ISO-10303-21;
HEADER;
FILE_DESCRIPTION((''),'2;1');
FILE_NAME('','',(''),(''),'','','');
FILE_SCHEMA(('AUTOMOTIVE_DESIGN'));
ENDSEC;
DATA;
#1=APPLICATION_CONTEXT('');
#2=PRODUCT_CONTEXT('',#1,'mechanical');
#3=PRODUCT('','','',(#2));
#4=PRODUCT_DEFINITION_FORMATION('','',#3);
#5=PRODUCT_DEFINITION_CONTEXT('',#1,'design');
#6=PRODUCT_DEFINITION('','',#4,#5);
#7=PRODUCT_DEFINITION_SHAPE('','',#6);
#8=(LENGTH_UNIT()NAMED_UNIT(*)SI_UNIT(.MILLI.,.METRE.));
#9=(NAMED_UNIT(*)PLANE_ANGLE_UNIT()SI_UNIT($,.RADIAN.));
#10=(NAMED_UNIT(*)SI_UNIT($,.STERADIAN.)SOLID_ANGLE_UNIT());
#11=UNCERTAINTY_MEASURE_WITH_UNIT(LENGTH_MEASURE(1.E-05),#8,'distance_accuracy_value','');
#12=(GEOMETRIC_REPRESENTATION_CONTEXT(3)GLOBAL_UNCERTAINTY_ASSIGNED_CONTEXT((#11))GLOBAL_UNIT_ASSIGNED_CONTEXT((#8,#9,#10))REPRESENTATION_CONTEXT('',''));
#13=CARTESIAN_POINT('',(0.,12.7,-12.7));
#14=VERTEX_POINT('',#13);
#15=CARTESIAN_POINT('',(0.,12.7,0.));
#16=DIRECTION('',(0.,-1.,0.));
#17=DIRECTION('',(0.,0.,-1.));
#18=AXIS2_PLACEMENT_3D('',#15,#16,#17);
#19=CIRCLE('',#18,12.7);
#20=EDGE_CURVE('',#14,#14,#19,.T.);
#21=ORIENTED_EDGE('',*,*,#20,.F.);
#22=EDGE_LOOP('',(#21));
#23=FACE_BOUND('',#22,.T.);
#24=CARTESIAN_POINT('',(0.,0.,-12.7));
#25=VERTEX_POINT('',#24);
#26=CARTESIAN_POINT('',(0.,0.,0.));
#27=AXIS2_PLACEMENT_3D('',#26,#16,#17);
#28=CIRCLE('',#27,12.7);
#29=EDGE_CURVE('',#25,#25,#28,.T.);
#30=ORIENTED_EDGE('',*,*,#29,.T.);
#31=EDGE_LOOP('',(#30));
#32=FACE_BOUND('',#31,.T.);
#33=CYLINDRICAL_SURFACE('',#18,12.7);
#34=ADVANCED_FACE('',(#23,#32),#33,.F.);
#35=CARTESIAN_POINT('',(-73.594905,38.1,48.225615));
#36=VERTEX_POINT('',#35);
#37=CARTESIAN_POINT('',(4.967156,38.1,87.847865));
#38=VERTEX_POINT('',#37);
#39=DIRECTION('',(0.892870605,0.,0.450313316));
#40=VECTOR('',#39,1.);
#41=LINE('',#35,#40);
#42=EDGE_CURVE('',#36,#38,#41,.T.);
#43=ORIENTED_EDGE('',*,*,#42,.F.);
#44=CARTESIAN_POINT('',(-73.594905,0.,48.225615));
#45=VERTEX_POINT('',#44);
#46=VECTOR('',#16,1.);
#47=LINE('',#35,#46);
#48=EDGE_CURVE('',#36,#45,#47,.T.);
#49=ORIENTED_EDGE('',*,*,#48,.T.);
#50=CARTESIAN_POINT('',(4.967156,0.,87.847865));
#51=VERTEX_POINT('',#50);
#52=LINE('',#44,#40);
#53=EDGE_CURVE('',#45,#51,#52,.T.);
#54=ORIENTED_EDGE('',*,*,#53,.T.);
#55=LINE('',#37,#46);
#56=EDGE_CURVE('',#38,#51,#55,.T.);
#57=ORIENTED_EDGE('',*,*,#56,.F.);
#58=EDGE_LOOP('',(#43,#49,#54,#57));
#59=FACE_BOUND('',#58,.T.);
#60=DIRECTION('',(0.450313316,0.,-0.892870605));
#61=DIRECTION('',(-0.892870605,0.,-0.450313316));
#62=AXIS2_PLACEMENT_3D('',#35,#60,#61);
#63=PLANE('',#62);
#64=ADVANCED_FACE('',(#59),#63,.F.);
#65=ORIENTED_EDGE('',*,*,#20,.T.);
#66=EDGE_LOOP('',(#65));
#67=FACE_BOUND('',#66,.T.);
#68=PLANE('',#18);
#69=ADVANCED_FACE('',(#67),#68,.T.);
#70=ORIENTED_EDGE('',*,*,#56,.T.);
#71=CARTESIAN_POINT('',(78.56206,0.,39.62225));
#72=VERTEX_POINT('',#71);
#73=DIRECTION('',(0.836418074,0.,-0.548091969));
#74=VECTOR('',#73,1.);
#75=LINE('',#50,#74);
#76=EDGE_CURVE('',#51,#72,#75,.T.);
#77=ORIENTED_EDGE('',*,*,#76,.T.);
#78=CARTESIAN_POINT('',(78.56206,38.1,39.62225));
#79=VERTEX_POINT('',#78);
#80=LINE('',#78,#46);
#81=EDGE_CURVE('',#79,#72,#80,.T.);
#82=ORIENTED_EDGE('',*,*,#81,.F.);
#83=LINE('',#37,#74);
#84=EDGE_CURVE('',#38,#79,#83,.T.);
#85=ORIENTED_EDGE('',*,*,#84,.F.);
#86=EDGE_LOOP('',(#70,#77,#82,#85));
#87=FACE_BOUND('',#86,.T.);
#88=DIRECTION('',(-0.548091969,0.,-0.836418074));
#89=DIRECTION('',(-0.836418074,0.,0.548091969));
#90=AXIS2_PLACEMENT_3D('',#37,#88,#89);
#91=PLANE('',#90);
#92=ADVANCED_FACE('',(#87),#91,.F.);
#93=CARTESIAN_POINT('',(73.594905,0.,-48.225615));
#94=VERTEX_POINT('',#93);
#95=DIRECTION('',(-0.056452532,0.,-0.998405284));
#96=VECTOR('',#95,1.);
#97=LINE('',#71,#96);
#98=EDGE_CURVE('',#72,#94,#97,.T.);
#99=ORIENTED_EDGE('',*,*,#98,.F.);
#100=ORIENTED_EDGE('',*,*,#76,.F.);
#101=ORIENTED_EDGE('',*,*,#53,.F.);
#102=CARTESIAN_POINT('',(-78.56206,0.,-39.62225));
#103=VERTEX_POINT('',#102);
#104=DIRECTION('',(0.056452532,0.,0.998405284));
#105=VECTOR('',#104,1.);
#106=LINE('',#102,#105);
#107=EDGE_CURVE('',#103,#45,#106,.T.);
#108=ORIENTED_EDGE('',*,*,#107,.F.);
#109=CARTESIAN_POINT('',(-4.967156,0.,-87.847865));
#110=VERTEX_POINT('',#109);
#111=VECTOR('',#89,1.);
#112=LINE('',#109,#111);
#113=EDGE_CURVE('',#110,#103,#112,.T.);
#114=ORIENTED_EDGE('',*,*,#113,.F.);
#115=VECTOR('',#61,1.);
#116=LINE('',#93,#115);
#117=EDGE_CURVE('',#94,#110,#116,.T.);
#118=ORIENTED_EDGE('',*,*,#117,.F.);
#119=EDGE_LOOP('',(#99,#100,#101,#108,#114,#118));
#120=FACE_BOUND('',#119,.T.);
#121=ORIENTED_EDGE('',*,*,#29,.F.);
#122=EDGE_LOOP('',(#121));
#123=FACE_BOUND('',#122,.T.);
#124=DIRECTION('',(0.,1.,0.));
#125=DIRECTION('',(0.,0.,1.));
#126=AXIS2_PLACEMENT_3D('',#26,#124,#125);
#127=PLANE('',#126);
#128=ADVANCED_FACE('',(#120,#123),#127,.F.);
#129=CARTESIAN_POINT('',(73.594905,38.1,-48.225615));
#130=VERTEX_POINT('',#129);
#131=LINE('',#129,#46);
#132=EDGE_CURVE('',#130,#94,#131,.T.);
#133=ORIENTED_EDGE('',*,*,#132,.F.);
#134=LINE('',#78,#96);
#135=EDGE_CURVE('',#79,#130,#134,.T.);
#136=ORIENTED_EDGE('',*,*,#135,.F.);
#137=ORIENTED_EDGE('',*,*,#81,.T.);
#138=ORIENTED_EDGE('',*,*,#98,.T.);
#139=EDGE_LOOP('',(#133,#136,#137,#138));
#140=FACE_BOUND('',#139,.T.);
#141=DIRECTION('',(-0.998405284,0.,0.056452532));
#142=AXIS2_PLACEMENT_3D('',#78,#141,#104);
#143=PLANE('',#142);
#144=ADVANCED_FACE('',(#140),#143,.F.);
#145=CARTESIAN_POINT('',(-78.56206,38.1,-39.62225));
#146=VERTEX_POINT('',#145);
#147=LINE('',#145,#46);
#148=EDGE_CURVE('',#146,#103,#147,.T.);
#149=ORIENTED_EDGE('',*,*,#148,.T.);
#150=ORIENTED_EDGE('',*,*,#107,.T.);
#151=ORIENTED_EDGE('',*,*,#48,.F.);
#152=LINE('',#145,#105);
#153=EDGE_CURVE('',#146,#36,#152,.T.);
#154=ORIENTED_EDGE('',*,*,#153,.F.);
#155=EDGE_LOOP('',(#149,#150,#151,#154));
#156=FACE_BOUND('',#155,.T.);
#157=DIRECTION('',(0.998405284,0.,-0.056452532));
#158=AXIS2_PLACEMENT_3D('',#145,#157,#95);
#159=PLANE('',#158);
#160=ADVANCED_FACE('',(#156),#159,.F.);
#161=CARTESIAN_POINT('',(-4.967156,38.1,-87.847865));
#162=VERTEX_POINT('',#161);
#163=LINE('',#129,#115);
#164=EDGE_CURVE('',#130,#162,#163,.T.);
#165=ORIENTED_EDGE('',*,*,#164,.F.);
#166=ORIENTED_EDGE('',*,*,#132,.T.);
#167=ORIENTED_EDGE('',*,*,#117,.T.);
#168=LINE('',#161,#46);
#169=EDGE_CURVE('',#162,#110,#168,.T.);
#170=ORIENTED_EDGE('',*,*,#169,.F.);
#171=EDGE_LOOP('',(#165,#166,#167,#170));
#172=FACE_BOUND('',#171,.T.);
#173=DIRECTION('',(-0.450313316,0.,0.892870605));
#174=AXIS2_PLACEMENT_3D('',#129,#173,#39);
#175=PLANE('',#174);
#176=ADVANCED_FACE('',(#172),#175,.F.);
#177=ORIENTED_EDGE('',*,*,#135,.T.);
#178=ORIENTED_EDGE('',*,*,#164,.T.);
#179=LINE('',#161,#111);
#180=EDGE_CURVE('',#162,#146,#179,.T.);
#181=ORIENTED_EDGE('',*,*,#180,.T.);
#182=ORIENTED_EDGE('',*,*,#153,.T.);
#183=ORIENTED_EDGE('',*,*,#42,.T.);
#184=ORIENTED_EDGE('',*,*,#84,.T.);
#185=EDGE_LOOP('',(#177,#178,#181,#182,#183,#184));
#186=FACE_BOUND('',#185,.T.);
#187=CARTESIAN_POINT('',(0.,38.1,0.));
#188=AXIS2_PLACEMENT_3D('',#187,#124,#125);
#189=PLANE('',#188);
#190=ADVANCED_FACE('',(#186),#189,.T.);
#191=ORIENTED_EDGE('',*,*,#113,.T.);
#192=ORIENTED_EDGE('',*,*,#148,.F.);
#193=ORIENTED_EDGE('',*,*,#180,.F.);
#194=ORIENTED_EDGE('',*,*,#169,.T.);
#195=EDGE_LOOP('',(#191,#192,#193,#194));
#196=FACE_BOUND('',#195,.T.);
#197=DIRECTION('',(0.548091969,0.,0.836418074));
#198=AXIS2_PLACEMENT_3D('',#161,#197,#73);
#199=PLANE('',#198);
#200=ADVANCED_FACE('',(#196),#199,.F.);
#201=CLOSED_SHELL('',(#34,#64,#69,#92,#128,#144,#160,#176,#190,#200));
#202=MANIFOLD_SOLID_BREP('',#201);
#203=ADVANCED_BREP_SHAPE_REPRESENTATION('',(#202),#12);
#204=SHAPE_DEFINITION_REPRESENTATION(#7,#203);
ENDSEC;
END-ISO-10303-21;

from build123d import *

# Parameters (mm, degrees)
BOSS_EXTRUDE1_DEPTH = 38.1
SKETCH2_R           = 12.7
CUT_EXTRUDE1_DEPTH  = 12.7


with BuildPart() as part:
    # Sketch1 → Boss-Extrude1 (new body)
    with BuildSketch(Plane(origin=(0, 0, 0), x_dir=(1, 0, 0), z_dir=(0, 1, 0))):
        Polygon((73.594904868, 48.225615366), (-4.967155586, 87.847864888), (-78.562060454, 39.622249522), (-73.594904868, -48.225615366), (4.967155586, -87.847864888), (78.562060454, -39.622249522), align=None)
    extrude(amount=BOSS_EXTRUDE1_DEPTH)

    # Sketch2 → Cut-Extrude1 (cut)
    with BuildSketch(Plane.XZ):
        Circle(SKETCH2_R)
    extrude(amount=-CUT_EXTRUDE1_DEPTH, mode=Mode.SUBTRACT)


solid = part.part
